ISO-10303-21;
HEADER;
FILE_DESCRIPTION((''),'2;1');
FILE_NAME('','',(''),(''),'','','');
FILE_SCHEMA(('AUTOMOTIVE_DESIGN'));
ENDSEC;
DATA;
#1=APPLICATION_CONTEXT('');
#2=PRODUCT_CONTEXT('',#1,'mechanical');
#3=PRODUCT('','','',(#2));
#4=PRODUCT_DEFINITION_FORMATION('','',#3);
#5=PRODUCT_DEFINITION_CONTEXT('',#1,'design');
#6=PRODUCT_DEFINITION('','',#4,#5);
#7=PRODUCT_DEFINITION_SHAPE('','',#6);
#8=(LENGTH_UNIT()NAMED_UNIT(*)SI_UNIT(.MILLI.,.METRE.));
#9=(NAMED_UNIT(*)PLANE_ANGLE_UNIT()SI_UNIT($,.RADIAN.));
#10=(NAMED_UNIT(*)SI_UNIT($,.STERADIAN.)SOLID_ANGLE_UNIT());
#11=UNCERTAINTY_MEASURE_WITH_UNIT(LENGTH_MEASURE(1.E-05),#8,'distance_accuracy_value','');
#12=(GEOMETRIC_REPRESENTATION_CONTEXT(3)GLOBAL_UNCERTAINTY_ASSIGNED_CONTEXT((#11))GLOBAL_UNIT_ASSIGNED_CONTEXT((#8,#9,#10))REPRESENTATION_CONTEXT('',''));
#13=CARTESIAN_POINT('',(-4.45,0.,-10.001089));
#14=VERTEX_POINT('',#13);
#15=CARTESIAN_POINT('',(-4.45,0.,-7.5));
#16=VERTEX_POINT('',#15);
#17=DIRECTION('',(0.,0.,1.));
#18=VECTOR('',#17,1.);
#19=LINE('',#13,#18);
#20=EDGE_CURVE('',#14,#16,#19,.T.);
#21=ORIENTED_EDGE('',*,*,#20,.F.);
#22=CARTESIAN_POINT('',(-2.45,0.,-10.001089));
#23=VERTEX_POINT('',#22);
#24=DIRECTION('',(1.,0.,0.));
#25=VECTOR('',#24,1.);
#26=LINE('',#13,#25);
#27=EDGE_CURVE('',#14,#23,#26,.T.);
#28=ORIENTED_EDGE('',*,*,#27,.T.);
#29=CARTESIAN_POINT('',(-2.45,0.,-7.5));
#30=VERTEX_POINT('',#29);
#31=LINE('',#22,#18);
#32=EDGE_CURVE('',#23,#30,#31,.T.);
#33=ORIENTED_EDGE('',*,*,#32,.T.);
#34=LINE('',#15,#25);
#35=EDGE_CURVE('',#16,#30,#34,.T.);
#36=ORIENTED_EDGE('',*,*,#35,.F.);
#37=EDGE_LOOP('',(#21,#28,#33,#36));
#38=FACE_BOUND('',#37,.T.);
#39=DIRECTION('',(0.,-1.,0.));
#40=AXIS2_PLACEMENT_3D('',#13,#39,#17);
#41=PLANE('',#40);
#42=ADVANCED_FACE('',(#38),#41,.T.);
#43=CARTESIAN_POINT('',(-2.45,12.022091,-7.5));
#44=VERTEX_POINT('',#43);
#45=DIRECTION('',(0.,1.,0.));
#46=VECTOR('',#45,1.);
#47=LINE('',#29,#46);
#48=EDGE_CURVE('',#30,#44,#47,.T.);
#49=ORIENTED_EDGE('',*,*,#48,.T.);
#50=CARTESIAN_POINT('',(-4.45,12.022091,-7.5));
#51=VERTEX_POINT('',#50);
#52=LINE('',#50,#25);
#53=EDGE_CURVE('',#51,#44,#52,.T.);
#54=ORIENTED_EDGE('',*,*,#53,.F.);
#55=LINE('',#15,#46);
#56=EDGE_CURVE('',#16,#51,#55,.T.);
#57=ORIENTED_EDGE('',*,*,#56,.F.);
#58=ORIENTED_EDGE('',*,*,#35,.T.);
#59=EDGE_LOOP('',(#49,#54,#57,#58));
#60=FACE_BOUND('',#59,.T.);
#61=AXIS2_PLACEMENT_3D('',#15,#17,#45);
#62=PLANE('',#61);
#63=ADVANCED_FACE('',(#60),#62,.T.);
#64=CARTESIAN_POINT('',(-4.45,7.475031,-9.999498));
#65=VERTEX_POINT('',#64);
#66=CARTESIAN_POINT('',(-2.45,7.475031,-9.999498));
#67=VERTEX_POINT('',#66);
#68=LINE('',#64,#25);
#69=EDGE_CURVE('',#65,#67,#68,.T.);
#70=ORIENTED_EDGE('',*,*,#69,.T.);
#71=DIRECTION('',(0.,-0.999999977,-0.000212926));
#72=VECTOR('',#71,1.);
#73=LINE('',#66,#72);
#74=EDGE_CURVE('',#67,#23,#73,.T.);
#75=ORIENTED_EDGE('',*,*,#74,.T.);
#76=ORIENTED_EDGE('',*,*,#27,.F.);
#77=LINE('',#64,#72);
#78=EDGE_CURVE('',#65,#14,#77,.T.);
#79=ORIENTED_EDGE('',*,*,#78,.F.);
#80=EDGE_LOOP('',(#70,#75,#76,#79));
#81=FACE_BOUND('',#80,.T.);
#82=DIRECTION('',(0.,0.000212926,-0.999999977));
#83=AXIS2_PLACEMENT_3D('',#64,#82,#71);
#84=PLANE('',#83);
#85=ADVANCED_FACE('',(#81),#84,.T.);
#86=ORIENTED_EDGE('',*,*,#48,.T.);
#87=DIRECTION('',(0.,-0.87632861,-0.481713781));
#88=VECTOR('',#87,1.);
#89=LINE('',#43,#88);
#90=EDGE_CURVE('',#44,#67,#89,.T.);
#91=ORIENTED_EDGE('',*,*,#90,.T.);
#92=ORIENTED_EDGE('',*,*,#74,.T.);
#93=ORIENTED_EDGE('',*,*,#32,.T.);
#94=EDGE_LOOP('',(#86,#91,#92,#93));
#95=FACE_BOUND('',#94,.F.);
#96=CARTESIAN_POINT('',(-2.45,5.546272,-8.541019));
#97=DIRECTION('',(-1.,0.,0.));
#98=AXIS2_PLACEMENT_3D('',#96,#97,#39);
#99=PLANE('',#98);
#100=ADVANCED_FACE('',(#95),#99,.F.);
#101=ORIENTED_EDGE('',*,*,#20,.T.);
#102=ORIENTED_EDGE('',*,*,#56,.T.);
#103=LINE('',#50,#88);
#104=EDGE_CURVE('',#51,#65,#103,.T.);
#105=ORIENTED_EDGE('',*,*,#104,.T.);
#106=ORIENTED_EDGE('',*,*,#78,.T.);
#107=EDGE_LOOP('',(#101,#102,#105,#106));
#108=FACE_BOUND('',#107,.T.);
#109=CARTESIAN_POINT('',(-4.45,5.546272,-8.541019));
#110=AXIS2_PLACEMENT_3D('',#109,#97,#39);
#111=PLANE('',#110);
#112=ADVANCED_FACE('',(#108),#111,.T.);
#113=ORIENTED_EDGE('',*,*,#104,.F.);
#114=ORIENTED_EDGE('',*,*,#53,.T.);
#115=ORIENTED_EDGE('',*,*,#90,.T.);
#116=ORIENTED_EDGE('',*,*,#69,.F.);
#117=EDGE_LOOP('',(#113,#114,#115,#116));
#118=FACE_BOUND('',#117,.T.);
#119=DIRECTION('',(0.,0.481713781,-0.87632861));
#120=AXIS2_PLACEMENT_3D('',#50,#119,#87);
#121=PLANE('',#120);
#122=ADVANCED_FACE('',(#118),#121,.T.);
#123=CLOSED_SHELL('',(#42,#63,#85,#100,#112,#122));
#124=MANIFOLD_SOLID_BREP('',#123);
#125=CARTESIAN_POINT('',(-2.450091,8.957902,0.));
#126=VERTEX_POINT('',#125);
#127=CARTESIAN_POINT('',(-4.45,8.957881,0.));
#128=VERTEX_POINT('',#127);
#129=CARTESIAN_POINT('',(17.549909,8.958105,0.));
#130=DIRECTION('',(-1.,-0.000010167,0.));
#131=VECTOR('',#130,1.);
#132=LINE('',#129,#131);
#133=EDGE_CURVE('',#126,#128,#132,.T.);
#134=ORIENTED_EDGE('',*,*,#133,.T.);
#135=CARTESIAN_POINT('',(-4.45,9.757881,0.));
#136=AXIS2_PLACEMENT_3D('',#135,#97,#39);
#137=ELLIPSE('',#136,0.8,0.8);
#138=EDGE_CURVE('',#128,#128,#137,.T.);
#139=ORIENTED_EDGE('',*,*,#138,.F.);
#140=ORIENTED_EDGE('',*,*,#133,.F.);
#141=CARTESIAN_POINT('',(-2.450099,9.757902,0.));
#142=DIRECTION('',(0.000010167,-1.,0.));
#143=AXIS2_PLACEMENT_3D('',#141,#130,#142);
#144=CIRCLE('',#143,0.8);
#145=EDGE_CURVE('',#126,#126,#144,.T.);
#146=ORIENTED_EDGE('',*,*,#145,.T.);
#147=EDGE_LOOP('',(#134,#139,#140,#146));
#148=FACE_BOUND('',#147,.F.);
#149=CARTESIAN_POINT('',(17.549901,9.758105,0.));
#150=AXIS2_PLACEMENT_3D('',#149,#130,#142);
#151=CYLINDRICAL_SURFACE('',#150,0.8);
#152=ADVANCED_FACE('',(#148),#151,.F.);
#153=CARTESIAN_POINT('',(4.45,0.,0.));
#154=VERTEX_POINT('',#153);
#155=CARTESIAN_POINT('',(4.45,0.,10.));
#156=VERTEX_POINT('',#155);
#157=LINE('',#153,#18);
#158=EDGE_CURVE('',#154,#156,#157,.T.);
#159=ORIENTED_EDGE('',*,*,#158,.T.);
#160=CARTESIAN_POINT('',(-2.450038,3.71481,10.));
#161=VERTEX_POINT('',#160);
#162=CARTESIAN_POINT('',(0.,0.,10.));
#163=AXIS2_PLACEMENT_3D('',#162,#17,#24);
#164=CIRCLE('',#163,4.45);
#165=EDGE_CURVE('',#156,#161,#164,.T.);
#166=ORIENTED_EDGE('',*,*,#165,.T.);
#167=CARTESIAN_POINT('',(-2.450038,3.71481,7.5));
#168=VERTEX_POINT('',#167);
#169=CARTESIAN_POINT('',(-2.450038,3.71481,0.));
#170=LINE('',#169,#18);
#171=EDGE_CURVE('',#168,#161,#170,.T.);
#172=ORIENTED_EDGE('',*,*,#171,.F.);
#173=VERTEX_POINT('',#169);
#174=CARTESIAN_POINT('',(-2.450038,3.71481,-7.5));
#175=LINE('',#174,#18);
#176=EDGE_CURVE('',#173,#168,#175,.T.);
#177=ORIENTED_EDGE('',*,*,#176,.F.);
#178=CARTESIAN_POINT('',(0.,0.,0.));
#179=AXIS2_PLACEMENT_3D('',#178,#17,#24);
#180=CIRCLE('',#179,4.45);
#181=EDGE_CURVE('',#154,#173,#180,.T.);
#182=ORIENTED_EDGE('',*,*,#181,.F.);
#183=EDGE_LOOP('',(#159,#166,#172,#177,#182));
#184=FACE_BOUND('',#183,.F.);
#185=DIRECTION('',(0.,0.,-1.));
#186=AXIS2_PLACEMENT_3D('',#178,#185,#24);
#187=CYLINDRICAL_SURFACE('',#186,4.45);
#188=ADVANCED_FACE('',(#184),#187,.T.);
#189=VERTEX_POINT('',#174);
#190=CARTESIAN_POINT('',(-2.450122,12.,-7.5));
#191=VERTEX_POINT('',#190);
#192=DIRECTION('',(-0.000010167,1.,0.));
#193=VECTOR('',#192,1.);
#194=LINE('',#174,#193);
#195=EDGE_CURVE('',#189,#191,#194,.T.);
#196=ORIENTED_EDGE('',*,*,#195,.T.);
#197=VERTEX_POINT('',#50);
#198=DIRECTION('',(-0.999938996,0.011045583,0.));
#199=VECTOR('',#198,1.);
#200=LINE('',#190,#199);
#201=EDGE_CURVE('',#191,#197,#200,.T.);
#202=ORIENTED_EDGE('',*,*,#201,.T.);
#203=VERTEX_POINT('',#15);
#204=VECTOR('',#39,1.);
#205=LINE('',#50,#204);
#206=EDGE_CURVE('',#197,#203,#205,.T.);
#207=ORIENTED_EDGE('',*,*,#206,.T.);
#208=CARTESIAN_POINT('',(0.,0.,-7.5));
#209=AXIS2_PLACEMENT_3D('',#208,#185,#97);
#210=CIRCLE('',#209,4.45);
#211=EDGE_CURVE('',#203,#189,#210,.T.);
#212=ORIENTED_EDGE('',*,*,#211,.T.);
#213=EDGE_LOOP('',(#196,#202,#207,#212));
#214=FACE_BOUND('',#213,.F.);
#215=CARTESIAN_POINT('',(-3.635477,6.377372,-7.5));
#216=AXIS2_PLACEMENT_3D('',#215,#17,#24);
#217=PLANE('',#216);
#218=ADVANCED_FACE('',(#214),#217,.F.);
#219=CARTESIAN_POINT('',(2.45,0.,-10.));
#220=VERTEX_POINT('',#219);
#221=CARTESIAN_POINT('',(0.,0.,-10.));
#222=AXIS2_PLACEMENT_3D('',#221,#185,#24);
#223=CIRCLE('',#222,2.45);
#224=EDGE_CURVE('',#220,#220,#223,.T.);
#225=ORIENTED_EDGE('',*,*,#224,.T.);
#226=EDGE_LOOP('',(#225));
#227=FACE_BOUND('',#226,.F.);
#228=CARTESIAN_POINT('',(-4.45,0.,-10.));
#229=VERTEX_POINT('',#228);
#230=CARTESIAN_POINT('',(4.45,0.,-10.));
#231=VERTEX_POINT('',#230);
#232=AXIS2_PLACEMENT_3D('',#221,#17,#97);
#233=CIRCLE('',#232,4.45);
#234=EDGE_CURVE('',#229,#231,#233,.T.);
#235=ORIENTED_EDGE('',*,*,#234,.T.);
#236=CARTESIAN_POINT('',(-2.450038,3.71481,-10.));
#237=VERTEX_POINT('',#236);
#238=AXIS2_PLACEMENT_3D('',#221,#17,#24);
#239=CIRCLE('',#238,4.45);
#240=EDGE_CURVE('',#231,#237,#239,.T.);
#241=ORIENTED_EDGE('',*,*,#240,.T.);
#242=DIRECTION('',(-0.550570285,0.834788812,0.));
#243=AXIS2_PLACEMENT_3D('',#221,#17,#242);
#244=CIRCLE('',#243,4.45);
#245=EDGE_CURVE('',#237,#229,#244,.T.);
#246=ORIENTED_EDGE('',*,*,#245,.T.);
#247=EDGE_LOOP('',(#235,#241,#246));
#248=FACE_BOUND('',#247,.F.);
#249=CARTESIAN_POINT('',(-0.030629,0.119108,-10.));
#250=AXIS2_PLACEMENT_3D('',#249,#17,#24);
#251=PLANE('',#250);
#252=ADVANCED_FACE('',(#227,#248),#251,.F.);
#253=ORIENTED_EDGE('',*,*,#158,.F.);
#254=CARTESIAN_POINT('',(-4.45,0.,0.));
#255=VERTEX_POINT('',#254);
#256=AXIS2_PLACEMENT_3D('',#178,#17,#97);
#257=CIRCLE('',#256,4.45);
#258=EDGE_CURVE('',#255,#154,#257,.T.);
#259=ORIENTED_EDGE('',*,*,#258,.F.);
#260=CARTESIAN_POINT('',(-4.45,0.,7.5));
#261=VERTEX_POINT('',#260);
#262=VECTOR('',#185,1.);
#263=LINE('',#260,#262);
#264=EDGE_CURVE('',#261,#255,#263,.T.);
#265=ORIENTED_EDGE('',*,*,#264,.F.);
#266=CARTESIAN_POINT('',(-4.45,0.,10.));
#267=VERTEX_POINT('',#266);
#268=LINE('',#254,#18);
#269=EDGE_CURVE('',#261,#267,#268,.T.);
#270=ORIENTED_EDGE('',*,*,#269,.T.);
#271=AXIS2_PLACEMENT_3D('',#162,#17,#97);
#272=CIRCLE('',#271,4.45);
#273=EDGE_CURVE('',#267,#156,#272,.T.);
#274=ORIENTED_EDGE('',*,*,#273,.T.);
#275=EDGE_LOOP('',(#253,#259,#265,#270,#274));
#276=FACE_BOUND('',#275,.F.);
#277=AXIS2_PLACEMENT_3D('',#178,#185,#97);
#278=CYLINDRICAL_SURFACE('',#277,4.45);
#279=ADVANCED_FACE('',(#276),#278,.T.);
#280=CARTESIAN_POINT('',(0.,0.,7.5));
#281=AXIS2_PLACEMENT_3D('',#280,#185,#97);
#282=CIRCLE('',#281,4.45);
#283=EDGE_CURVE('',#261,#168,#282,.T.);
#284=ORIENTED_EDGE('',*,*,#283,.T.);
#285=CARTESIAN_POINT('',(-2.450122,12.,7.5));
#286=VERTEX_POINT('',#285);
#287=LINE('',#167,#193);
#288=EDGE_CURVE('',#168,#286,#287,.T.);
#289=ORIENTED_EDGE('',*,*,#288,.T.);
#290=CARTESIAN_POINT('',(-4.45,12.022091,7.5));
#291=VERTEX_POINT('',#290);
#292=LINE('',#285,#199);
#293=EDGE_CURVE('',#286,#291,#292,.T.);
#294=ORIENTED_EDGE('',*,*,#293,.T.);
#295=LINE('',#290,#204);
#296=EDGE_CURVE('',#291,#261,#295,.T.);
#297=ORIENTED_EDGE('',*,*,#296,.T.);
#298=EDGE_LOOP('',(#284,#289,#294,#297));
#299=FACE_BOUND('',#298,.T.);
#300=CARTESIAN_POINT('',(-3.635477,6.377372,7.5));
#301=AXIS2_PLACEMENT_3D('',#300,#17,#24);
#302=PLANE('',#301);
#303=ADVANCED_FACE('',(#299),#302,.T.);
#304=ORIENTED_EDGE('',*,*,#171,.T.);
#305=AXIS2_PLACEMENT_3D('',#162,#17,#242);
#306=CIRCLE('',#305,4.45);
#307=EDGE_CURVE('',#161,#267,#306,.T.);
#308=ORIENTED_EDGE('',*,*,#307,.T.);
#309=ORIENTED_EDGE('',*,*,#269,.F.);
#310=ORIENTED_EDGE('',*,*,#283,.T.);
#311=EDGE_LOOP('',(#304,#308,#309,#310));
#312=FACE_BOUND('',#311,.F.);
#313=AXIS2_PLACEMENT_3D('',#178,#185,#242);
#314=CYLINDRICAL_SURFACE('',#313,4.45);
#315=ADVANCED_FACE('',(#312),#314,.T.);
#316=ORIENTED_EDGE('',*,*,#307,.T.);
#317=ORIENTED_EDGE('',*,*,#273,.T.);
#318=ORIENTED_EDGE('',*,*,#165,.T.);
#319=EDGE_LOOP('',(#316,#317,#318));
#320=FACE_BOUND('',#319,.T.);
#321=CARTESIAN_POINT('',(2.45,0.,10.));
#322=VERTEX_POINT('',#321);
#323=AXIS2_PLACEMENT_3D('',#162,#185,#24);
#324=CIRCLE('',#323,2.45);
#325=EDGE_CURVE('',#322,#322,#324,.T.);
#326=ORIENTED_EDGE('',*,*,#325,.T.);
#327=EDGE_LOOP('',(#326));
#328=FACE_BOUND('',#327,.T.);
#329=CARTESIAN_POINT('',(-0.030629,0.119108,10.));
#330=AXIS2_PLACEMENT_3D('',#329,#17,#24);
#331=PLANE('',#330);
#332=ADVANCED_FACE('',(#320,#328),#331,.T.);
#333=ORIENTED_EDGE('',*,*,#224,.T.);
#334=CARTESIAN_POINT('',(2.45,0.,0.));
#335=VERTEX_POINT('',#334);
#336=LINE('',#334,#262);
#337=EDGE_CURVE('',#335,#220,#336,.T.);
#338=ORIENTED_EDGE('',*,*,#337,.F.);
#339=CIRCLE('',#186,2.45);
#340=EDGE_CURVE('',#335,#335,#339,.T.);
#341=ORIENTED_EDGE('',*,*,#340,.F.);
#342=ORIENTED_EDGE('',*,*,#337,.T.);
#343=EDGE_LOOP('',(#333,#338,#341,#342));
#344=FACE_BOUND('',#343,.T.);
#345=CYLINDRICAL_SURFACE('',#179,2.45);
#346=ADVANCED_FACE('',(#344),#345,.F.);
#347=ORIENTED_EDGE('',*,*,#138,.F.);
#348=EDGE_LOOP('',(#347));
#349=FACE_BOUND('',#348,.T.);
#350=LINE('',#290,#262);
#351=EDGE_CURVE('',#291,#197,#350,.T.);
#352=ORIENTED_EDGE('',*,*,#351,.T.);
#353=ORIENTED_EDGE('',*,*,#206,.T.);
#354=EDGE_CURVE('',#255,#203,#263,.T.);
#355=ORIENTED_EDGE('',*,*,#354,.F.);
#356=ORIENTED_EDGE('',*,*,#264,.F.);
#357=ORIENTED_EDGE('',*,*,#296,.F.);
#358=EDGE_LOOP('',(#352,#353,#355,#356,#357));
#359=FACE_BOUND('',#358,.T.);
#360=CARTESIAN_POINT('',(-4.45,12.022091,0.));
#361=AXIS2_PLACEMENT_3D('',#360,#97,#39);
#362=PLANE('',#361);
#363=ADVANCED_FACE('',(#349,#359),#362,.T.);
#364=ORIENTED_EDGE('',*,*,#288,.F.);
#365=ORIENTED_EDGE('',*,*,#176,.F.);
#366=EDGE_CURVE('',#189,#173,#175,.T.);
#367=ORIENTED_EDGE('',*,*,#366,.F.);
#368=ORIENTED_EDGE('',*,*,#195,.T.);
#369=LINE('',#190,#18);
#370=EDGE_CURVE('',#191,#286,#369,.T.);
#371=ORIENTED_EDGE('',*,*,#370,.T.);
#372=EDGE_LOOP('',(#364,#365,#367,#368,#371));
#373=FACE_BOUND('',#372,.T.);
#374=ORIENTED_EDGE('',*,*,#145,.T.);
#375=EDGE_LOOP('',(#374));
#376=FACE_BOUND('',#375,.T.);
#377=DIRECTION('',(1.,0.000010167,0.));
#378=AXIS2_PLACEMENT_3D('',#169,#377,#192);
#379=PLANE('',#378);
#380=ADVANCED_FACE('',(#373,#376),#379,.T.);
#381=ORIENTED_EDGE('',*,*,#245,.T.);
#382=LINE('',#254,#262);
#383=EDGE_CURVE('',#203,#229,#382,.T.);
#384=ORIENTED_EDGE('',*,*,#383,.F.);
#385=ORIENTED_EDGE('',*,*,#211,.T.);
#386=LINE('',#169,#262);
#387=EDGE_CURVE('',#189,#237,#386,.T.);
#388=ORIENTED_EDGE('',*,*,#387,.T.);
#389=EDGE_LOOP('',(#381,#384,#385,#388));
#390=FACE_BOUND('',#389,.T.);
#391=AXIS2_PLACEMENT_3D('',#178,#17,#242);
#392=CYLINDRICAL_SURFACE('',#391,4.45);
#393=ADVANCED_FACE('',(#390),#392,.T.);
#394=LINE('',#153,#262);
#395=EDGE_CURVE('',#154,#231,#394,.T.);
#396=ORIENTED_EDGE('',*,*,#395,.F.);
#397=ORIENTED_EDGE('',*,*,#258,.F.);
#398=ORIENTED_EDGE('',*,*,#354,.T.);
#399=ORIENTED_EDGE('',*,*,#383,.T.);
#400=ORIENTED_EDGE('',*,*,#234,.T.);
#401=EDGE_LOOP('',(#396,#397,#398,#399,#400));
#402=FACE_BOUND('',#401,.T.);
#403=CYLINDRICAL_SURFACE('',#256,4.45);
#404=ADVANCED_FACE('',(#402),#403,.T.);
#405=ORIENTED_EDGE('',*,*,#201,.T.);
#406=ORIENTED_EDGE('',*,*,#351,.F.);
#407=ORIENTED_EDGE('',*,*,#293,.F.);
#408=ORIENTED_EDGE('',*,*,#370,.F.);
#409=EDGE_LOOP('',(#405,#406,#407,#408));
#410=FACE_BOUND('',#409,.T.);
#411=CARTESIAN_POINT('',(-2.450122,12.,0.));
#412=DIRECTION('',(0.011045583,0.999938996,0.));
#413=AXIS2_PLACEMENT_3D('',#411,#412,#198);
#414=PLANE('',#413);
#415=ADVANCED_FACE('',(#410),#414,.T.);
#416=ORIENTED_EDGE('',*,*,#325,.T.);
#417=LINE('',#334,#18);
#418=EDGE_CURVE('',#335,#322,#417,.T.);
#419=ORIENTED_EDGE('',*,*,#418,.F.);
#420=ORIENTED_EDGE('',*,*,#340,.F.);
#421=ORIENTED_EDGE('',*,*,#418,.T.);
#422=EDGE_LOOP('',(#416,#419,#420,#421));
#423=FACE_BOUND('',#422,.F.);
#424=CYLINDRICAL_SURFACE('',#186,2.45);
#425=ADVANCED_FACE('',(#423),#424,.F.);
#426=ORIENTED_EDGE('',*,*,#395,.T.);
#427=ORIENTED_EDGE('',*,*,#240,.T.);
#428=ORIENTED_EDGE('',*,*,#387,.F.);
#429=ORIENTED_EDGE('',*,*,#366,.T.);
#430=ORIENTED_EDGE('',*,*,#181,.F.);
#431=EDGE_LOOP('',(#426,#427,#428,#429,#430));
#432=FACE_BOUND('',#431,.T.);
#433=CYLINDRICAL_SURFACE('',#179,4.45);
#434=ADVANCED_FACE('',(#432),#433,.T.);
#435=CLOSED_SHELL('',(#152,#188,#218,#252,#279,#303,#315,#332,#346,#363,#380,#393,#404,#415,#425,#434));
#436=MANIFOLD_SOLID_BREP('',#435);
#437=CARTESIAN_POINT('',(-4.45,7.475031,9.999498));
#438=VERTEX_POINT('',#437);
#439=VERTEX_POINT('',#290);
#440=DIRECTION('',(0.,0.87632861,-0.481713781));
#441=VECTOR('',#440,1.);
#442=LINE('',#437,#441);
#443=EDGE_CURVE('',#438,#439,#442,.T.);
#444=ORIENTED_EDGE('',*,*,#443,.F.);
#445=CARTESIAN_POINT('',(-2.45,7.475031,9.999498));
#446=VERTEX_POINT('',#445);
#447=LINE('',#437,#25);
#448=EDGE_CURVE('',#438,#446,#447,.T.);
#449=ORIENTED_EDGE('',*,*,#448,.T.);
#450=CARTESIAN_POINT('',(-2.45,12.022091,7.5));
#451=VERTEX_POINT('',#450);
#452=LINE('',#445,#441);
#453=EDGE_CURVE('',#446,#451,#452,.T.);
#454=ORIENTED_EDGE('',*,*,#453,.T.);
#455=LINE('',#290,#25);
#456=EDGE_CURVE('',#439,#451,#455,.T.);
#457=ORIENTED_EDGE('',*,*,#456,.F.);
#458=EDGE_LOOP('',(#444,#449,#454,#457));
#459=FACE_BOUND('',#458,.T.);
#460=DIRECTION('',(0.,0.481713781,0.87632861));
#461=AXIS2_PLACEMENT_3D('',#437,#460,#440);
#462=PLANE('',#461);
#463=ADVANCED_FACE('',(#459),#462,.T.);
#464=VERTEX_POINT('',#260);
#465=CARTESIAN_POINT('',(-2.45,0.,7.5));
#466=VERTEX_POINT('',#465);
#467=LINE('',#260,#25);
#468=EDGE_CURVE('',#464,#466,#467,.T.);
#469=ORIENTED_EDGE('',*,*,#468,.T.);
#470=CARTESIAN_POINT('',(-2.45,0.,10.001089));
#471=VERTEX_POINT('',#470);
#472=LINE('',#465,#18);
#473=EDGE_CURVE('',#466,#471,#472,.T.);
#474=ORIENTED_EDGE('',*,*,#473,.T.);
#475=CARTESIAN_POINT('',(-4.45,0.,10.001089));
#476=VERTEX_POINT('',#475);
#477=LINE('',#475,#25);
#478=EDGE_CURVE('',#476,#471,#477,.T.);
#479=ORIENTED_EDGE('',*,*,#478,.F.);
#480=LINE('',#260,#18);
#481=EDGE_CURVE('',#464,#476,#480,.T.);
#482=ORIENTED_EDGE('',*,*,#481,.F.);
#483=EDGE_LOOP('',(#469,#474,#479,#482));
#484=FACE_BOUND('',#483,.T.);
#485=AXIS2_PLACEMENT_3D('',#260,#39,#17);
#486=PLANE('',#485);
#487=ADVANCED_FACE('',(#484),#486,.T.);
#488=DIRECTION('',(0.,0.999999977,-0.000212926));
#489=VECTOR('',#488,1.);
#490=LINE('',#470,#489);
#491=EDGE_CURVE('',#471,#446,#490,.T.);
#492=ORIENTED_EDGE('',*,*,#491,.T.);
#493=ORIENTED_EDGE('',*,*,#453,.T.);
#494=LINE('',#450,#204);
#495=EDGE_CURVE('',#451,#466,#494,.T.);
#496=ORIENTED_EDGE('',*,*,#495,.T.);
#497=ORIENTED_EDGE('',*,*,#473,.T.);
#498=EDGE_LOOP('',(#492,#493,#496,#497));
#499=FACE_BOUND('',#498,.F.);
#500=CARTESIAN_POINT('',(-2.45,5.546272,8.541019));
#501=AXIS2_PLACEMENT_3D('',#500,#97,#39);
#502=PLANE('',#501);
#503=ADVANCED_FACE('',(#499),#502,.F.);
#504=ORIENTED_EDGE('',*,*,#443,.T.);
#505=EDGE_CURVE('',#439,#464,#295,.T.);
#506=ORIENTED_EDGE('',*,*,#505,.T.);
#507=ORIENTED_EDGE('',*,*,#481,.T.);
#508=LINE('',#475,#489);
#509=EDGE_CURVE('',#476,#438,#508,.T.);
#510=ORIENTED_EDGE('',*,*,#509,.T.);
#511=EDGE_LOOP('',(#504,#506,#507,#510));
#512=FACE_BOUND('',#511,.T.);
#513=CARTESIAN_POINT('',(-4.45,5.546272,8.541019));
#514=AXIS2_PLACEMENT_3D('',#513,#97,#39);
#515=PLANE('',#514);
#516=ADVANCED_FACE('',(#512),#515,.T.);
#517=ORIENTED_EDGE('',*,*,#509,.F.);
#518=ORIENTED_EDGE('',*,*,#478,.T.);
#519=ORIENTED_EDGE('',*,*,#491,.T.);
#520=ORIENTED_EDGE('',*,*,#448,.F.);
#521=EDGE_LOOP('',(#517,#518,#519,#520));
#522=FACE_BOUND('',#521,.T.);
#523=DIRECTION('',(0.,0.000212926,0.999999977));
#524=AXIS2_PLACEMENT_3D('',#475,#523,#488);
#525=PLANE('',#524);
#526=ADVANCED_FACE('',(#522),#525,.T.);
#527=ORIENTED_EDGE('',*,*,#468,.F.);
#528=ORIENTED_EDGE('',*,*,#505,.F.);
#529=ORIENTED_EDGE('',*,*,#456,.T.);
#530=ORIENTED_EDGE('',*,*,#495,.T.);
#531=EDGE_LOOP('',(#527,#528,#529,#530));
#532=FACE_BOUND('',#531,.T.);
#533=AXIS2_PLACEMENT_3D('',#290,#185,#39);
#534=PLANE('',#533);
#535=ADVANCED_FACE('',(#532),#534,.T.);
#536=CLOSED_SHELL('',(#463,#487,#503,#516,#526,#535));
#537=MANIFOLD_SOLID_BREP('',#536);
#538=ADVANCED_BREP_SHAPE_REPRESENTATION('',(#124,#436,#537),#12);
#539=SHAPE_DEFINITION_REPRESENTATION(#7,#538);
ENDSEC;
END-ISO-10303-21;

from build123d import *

# Parameters (mm, degrees)
F1_DEPTH = 7.5
F2_DEPTH = 10
F4_D     = 1.6
F4_DEPTH = 20
F4_TIP   = 0.4806884952
F6_DEPTH = 2


with BuildPart() as f1:
    # F0 (on Top) → F1 (new body, symmetric)
    with BuildSketch(Plane.XY):
        with BuildLine():
            ThreePointArc((-4.45, 0), (-3.9182373637, 2.109482392), (-2.4500377699, 3.714810214))
            Line((-2.4500377699, 3.714810214), (-2.4501220086, 11.9999999994))
            Line((-2.4501220086, 11.9999999994), (-4.45, 12.0220911662))
            Line((-4.45, 12.0220911662), (-4.45, 0))
        make_face()
    extrude(amount=F1_DEPTH, both=True)

    # F0 (on Top) → F2 (join, symmetric)
    with BuildSketch(Plane.XY):
        with BuildLine():
            ThreePointArc((4.45, 0), (2.109482392, 3.9182373637), (-2.4500377699, 3.714810214))
            ThreePointArc((-2.4500377699, 3.714810214), (-3.9182373637, 2.109482392), (-4.45, 0))
            ThreePointArc((-4.45, 0), (0, -4.45), (4.45, 0))
        make_face()
        with BuildLine():
            ThreePointArc((-2.45, 0), (0, 2.45), (2.45, 0))
            ThreePointArc((2.45, 0), (0, -2.45), (-2.45, 0))
        make_face(mode=Mode.SUBTRACT)
    extrude(amount=F2_DEPTH, both=True)

    # F4
    with Locations(Plane(origin=(-2.4499999997, -2.49101e-05, 0), x_dir=(-1.01674e-05, 0.9999999999, 0), z_dir=(0.9999999999, 1.01674e-05, 0))):
        with Locations((9.7579266876, 0)):
            Hole(F4_D / 2, depth=F4_DEPTH)
            with Locations((0, 0, -(F4_DEPTH + F4_TIP / 2))):  # 118° drill point
                Cone(0, F4_D / 2, F4_TIP, mode=Mode.SUBTRACT)


with BuildPart() as f6:
    # F5 (on face) → F6 (new body)
    with BuildSketch(Plane(origin=(-4.45, 0, 0), x_dir=(0, -1, 0), z_dir=(-1, 0, 0))):
        Polygon((0, -9.9865663797), (0, -7.5), (-12.0220911662, -7.5), (-7.4750312432, -9.9994977936), (0, -10.0010894239), align=None)
    extrude(amount=-F6_DEPTH)


with BuildPart() as f6b:
    # F5 (on face) → F6, piece 2 (new body)
    with BuildSketch(Plane(origin=(-4.45, 0, 0), x_dir=(0, -1, 0), z_dir=(-1, 0, 0))):
        Polygon((0, 7.5), (0, 9.9865663797), (0, 10.0010894239), (-7.4750312432, 9.9994977936), (-12.0220911662, 7.5), align=None)
    extrude(amount=-F6_DEPTH)


solid = Compound([f1.part, f6.part, f6b.part])
